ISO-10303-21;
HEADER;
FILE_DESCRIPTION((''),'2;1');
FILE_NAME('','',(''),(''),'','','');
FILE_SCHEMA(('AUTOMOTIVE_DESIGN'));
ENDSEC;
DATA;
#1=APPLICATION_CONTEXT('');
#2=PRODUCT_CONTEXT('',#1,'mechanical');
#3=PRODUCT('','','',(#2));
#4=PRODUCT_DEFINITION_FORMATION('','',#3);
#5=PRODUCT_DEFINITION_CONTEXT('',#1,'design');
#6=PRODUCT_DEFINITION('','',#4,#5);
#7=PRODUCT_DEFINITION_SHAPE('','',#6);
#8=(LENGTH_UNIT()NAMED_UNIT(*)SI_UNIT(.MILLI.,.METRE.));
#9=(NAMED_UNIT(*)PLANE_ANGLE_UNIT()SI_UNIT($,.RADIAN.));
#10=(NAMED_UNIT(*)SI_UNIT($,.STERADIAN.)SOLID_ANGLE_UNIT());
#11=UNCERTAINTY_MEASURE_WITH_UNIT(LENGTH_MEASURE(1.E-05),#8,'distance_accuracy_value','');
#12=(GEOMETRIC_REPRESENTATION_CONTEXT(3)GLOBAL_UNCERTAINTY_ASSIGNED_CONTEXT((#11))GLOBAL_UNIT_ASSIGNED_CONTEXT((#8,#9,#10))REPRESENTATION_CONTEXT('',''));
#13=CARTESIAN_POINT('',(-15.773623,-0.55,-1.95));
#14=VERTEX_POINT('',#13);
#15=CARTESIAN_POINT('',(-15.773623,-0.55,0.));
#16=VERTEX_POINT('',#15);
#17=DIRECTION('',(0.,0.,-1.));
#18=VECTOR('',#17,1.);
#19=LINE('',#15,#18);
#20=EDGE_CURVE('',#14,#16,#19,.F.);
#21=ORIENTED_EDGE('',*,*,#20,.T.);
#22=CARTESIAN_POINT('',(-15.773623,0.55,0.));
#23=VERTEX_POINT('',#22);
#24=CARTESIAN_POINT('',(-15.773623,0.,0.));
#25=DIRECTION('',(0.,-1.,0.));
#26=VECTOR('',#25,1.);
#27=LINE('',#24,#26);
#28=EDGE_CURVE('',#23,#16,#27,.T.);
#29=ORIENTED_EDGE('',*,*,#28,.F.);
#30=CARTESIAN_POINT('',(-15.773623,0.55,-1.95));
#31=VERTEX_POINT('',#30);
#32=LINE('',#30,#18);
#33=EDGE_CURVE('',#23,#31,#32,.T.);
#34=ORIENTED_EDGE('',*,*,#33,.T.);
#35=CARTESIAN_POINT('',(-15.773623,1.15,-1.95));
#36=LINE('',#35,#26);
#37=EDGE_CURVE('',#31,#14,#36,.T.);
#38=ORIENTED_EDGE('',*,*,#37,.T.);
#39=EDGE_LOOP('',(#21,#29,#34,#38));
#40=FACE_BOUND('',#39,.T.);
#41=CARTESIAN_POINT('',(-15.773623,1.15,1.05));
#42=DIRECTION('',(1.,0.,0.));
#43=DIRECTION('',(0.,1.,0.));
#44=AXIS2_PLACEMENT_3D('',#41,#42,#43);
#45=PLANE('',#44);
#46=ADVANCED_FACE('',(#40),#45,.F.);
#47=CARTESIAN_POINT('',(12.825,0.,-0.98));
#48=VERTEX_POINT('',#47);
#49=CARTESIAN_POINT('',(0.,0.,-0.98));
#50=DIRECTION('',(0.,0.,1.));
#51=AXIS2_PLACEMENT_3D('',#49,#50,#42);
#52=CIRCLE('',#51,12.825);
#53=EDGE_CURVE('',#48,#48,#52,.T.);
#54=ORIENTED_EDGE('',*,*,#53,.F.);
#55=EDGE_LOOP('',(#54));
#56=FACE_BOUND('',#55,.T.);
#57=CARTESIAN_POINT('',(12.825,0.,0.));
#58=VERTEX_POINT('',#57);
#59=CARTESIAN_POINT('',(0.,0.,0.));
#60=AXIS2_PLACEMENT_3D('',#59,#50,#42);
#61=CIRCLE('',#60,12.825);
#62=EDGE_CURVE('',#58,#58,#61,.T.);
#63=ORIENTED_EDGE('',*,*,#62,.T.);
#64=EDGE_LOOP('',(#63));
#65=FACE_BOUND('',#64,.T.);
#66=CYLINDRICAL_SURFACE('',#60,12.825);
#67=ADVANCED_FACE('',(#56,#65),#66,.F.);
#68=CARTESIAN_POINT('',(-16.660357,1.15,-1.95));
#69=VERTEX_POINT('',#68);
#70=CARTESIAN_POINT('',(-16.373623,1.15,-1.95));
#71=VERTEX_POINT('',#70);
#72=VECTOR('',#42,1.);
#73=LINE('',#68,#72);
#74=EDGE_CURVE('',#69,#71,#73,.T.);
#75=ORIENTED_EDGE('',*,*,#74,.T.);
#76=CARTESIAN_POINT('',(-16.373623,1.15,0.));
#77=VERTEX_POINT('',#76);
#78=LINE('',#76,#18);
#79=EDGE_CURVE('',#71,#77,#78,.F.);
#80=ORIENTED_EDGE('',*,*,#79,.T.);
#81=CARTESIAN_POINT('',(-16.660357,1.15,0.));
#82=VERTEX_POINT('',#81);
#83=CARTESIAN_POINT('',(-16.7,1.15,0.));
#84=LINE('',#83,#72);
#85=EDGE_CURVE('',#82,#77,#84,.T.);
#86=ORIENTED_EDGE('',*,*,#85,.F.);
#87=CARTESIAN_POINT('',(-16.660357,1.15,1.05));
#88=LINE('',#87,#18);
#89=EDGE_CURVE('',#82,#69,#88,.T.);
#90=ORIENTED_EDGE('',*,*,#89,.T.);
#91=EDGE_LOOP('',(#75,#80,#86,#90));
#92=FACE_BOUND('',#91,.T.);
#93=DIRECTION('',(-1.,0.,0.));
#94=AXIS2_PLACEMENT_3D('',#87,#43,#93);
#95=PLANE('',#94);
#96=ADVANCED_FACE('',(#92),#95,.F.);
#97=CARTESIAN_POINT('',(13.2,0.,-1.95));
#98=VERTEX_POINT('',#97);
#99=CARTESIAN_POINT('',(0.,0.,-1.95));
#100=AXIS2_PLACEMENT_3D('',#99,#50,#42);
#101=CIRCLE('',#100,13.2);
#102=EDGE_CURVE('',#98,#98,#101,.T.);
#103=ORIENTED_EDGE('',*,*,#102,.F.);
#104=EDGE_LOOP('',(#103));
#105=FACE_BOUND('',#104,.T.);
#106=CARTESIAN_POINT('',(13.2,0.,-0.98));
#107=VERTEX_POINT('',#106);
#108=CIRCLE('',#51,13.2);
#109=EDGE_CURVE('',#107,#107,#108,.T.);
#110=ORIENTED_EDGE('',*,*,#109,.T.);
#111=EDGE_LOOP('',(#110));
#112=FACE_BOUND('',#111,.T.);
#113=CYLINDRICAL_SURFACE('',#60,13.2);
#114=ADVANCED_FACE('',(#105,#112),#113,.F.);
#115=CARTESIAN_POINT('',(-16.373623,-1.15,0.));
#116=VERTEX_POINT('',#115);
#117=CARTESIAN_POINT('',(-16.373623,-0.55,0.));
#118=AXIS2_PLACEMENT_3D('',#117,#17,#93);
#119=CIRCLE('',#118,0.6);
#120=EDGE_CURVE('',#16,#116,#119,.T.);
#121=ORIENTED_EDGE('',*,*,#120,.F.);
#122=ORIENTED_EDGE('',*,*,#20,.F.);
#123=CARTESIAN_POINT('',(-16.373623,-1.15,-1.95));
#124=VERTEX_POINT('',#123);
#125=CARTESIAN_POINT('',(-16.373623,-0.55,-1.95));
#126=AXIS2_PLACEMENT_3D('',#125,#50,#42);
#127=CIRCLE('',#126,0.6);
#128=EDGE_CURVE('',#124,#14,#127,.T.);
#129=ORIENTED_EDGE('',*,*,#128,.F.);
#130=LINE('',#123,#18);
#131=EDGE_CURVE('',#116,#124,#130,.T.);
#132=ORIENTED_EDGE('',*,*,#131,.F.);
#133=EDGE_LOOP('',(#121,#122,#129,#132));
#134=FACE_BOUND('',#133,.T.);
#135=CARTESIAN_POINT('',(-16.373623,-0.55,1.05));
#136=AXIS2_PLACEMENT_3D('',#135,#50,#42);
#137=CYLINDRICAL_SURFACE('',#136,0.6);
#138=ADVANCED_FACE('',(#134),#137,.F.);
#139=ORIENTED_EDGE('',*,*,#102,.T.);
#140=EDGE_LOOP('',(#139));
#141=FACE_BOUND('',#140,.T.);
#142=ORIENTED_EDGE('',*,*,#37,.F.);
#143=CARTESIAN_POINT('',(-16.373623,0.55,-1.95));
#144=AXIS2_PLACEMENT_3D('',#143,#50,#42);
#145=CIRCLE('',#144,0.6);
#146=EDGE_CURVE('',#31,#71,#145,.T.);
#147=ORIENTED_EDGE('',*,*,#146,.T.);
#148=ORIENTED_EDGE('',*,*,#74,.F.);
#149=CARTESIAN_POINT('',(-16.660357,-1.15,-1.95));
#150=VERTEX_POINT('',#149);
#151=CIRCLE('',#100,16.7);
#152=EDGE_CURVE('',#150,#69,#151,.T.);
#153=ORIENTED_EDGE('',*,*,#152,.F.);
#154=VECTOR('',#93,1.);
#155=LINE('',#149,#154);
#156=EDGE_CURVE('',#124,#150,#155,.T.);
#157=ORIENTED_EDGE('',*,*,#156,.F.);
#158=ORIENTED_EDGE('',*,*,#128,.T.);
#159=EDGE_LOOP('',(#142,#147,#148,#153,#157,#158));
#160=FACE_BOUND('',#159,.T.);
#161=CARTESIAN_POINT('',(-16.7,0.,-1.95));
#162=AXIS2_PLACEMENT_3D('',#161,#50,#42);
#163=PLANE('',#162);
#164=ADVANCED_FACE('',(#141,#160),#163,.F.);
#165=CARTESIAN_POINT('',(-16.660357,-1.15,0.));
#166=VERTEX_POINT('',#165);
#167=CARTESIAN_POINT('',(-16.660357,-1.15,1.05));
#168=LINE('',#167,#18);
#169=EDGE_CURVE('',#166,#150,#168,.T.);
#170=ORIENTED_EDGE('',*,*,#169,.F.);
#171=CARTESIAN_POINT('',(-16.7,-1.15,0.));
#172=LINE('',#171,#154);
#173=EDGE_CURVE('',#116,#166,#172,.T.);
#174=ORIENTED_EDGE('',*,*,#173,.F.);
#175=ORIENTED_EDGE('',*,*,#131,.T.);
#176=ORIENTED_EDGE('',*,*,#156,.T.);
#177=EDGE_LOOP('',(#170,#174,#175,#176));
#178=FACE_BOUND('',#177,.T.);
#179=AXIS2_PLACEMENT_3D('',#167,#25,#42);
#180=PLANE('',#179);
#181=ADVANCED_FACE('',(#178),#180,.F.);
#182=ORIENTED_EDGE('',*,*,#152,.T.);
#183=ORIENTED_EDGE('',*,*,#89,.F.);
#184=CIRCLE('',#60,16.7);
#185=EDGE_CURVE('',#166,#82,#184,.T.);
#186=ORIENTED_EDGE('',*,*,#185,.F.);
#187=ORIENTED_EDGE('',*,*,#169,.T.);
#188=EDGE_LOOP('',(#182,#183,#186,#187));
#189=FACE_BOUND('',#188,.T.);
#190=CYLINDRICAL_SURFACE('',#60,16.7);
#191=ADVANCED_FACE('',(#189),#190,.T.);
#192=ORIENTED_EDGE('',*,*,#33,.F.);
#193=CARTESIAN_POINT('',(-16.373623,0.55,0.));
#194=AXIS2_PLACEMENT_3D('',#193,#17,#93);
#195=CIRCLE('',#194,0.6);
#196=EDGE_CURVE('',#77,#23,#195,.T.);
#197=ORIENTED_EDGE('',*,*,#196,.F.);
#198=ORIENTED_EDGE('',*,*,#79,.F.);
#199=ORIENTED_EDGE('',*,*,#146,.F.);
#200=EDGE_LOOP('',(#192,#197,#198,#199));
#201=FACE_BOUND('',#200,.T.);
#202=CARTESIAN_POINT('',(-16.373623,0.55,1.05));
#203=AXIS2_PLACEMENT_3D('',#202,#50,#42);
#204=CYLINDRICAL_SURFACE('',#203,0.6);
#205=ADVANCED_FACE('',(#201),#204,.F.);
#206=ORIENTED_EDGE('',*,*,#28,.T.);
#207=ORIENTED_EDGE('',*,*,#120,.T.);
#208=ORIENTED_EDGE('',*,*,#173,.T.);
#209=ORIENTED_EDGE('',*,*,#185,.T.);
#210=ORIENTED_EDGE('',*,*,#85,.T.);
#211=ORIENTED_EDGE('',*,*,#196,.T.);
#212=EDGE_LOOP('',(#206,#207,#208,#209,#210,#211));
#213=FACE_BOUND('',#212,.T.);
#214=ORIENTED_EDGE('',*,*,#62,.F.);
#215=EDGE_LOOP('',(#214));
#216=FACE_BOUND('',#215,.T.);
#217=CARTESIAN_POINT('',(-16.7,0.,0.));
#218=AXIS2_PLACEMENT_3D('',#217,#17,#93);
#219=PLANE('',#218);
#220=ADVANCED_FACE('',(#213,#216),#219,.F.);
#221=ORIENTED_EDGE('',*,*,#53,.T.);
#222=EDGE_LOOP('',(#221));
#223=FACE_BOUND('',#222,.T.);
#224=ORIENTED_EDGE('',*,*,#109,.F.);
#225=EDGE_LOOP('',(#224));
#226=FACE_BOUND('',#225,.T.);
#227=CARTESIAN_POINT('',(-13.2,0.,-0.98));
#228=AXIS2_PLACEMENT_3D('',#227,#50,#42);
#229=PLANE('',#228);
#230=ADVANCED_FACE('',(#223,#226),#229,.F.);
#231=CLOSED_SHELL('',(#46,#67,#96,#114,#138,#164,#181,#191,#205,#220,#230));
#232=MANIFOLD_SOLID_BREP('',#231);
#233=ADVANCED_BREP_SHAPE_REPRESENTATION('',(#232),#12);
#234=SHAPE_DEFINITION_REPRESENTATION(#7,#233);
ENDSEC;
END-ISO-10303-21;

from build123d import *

# Parameters (mm, degrees)
CUT_EXTRUDE_1_DEPTH = 3
FILLET_2_R          = 0.6


with BuildPart() as part:
    # Эскиз1 → Повернуть1 (revolve)
    with BuildSketch(Plane(origin=(0, 0, 0), x_dir=(1, 0, 0), z_dir=(0, 1, 0)), mode=Mode.PRIVATE) as revolve_1_sk:
        Polygon((-16.7, 0), (-12.825, 0), (-12.825, 0.98), (-13.2, 0.98), (-13.2, 1.95), (-16.7, 1.95), align=None)
    revolve(revolve_1_sk.sketch.rotate(Axis((0, 0, 0), (0, 0, -1)), 180), axis=Axis((0, 0, 0), (0, 0, -1)))

    # Эскиз2 → Вырез-Вытянуть1 (cut)
    with BuildSketch(Plane(origin=(0, 0, -1.95), x_dir=(-1, 0, 0), z_dir=(0, 0, -1))):
        with BuildLine():
            Line((16.660357139, 1.15), (15.773622825, 1.15))
            Line((15.773622825, 1.15), (15.773622825, -1.15))
            Line((15.773622825, -1.15), (16.660357139, -1.15))
            ThreePointArc((16.660357139, -1.15), (16.850858655, 0), (16.660357139, 1.15))
        make_face()
    extrude(amount=-CUT_EXTRUDE_1_DEPTH, mode=Mode.SUBTRACT)

    # Скругление2
    fillet_2_edges = [part.edges().sort_by_distance(p)[0] for p in [
        (-15.773622825, -1.15, -0.975),
        (-15.773622825, 1.15, -0.975),
    ]]
    fillet(fillet_2_edges, radius=FILLET_2_R)


solid = part.part
